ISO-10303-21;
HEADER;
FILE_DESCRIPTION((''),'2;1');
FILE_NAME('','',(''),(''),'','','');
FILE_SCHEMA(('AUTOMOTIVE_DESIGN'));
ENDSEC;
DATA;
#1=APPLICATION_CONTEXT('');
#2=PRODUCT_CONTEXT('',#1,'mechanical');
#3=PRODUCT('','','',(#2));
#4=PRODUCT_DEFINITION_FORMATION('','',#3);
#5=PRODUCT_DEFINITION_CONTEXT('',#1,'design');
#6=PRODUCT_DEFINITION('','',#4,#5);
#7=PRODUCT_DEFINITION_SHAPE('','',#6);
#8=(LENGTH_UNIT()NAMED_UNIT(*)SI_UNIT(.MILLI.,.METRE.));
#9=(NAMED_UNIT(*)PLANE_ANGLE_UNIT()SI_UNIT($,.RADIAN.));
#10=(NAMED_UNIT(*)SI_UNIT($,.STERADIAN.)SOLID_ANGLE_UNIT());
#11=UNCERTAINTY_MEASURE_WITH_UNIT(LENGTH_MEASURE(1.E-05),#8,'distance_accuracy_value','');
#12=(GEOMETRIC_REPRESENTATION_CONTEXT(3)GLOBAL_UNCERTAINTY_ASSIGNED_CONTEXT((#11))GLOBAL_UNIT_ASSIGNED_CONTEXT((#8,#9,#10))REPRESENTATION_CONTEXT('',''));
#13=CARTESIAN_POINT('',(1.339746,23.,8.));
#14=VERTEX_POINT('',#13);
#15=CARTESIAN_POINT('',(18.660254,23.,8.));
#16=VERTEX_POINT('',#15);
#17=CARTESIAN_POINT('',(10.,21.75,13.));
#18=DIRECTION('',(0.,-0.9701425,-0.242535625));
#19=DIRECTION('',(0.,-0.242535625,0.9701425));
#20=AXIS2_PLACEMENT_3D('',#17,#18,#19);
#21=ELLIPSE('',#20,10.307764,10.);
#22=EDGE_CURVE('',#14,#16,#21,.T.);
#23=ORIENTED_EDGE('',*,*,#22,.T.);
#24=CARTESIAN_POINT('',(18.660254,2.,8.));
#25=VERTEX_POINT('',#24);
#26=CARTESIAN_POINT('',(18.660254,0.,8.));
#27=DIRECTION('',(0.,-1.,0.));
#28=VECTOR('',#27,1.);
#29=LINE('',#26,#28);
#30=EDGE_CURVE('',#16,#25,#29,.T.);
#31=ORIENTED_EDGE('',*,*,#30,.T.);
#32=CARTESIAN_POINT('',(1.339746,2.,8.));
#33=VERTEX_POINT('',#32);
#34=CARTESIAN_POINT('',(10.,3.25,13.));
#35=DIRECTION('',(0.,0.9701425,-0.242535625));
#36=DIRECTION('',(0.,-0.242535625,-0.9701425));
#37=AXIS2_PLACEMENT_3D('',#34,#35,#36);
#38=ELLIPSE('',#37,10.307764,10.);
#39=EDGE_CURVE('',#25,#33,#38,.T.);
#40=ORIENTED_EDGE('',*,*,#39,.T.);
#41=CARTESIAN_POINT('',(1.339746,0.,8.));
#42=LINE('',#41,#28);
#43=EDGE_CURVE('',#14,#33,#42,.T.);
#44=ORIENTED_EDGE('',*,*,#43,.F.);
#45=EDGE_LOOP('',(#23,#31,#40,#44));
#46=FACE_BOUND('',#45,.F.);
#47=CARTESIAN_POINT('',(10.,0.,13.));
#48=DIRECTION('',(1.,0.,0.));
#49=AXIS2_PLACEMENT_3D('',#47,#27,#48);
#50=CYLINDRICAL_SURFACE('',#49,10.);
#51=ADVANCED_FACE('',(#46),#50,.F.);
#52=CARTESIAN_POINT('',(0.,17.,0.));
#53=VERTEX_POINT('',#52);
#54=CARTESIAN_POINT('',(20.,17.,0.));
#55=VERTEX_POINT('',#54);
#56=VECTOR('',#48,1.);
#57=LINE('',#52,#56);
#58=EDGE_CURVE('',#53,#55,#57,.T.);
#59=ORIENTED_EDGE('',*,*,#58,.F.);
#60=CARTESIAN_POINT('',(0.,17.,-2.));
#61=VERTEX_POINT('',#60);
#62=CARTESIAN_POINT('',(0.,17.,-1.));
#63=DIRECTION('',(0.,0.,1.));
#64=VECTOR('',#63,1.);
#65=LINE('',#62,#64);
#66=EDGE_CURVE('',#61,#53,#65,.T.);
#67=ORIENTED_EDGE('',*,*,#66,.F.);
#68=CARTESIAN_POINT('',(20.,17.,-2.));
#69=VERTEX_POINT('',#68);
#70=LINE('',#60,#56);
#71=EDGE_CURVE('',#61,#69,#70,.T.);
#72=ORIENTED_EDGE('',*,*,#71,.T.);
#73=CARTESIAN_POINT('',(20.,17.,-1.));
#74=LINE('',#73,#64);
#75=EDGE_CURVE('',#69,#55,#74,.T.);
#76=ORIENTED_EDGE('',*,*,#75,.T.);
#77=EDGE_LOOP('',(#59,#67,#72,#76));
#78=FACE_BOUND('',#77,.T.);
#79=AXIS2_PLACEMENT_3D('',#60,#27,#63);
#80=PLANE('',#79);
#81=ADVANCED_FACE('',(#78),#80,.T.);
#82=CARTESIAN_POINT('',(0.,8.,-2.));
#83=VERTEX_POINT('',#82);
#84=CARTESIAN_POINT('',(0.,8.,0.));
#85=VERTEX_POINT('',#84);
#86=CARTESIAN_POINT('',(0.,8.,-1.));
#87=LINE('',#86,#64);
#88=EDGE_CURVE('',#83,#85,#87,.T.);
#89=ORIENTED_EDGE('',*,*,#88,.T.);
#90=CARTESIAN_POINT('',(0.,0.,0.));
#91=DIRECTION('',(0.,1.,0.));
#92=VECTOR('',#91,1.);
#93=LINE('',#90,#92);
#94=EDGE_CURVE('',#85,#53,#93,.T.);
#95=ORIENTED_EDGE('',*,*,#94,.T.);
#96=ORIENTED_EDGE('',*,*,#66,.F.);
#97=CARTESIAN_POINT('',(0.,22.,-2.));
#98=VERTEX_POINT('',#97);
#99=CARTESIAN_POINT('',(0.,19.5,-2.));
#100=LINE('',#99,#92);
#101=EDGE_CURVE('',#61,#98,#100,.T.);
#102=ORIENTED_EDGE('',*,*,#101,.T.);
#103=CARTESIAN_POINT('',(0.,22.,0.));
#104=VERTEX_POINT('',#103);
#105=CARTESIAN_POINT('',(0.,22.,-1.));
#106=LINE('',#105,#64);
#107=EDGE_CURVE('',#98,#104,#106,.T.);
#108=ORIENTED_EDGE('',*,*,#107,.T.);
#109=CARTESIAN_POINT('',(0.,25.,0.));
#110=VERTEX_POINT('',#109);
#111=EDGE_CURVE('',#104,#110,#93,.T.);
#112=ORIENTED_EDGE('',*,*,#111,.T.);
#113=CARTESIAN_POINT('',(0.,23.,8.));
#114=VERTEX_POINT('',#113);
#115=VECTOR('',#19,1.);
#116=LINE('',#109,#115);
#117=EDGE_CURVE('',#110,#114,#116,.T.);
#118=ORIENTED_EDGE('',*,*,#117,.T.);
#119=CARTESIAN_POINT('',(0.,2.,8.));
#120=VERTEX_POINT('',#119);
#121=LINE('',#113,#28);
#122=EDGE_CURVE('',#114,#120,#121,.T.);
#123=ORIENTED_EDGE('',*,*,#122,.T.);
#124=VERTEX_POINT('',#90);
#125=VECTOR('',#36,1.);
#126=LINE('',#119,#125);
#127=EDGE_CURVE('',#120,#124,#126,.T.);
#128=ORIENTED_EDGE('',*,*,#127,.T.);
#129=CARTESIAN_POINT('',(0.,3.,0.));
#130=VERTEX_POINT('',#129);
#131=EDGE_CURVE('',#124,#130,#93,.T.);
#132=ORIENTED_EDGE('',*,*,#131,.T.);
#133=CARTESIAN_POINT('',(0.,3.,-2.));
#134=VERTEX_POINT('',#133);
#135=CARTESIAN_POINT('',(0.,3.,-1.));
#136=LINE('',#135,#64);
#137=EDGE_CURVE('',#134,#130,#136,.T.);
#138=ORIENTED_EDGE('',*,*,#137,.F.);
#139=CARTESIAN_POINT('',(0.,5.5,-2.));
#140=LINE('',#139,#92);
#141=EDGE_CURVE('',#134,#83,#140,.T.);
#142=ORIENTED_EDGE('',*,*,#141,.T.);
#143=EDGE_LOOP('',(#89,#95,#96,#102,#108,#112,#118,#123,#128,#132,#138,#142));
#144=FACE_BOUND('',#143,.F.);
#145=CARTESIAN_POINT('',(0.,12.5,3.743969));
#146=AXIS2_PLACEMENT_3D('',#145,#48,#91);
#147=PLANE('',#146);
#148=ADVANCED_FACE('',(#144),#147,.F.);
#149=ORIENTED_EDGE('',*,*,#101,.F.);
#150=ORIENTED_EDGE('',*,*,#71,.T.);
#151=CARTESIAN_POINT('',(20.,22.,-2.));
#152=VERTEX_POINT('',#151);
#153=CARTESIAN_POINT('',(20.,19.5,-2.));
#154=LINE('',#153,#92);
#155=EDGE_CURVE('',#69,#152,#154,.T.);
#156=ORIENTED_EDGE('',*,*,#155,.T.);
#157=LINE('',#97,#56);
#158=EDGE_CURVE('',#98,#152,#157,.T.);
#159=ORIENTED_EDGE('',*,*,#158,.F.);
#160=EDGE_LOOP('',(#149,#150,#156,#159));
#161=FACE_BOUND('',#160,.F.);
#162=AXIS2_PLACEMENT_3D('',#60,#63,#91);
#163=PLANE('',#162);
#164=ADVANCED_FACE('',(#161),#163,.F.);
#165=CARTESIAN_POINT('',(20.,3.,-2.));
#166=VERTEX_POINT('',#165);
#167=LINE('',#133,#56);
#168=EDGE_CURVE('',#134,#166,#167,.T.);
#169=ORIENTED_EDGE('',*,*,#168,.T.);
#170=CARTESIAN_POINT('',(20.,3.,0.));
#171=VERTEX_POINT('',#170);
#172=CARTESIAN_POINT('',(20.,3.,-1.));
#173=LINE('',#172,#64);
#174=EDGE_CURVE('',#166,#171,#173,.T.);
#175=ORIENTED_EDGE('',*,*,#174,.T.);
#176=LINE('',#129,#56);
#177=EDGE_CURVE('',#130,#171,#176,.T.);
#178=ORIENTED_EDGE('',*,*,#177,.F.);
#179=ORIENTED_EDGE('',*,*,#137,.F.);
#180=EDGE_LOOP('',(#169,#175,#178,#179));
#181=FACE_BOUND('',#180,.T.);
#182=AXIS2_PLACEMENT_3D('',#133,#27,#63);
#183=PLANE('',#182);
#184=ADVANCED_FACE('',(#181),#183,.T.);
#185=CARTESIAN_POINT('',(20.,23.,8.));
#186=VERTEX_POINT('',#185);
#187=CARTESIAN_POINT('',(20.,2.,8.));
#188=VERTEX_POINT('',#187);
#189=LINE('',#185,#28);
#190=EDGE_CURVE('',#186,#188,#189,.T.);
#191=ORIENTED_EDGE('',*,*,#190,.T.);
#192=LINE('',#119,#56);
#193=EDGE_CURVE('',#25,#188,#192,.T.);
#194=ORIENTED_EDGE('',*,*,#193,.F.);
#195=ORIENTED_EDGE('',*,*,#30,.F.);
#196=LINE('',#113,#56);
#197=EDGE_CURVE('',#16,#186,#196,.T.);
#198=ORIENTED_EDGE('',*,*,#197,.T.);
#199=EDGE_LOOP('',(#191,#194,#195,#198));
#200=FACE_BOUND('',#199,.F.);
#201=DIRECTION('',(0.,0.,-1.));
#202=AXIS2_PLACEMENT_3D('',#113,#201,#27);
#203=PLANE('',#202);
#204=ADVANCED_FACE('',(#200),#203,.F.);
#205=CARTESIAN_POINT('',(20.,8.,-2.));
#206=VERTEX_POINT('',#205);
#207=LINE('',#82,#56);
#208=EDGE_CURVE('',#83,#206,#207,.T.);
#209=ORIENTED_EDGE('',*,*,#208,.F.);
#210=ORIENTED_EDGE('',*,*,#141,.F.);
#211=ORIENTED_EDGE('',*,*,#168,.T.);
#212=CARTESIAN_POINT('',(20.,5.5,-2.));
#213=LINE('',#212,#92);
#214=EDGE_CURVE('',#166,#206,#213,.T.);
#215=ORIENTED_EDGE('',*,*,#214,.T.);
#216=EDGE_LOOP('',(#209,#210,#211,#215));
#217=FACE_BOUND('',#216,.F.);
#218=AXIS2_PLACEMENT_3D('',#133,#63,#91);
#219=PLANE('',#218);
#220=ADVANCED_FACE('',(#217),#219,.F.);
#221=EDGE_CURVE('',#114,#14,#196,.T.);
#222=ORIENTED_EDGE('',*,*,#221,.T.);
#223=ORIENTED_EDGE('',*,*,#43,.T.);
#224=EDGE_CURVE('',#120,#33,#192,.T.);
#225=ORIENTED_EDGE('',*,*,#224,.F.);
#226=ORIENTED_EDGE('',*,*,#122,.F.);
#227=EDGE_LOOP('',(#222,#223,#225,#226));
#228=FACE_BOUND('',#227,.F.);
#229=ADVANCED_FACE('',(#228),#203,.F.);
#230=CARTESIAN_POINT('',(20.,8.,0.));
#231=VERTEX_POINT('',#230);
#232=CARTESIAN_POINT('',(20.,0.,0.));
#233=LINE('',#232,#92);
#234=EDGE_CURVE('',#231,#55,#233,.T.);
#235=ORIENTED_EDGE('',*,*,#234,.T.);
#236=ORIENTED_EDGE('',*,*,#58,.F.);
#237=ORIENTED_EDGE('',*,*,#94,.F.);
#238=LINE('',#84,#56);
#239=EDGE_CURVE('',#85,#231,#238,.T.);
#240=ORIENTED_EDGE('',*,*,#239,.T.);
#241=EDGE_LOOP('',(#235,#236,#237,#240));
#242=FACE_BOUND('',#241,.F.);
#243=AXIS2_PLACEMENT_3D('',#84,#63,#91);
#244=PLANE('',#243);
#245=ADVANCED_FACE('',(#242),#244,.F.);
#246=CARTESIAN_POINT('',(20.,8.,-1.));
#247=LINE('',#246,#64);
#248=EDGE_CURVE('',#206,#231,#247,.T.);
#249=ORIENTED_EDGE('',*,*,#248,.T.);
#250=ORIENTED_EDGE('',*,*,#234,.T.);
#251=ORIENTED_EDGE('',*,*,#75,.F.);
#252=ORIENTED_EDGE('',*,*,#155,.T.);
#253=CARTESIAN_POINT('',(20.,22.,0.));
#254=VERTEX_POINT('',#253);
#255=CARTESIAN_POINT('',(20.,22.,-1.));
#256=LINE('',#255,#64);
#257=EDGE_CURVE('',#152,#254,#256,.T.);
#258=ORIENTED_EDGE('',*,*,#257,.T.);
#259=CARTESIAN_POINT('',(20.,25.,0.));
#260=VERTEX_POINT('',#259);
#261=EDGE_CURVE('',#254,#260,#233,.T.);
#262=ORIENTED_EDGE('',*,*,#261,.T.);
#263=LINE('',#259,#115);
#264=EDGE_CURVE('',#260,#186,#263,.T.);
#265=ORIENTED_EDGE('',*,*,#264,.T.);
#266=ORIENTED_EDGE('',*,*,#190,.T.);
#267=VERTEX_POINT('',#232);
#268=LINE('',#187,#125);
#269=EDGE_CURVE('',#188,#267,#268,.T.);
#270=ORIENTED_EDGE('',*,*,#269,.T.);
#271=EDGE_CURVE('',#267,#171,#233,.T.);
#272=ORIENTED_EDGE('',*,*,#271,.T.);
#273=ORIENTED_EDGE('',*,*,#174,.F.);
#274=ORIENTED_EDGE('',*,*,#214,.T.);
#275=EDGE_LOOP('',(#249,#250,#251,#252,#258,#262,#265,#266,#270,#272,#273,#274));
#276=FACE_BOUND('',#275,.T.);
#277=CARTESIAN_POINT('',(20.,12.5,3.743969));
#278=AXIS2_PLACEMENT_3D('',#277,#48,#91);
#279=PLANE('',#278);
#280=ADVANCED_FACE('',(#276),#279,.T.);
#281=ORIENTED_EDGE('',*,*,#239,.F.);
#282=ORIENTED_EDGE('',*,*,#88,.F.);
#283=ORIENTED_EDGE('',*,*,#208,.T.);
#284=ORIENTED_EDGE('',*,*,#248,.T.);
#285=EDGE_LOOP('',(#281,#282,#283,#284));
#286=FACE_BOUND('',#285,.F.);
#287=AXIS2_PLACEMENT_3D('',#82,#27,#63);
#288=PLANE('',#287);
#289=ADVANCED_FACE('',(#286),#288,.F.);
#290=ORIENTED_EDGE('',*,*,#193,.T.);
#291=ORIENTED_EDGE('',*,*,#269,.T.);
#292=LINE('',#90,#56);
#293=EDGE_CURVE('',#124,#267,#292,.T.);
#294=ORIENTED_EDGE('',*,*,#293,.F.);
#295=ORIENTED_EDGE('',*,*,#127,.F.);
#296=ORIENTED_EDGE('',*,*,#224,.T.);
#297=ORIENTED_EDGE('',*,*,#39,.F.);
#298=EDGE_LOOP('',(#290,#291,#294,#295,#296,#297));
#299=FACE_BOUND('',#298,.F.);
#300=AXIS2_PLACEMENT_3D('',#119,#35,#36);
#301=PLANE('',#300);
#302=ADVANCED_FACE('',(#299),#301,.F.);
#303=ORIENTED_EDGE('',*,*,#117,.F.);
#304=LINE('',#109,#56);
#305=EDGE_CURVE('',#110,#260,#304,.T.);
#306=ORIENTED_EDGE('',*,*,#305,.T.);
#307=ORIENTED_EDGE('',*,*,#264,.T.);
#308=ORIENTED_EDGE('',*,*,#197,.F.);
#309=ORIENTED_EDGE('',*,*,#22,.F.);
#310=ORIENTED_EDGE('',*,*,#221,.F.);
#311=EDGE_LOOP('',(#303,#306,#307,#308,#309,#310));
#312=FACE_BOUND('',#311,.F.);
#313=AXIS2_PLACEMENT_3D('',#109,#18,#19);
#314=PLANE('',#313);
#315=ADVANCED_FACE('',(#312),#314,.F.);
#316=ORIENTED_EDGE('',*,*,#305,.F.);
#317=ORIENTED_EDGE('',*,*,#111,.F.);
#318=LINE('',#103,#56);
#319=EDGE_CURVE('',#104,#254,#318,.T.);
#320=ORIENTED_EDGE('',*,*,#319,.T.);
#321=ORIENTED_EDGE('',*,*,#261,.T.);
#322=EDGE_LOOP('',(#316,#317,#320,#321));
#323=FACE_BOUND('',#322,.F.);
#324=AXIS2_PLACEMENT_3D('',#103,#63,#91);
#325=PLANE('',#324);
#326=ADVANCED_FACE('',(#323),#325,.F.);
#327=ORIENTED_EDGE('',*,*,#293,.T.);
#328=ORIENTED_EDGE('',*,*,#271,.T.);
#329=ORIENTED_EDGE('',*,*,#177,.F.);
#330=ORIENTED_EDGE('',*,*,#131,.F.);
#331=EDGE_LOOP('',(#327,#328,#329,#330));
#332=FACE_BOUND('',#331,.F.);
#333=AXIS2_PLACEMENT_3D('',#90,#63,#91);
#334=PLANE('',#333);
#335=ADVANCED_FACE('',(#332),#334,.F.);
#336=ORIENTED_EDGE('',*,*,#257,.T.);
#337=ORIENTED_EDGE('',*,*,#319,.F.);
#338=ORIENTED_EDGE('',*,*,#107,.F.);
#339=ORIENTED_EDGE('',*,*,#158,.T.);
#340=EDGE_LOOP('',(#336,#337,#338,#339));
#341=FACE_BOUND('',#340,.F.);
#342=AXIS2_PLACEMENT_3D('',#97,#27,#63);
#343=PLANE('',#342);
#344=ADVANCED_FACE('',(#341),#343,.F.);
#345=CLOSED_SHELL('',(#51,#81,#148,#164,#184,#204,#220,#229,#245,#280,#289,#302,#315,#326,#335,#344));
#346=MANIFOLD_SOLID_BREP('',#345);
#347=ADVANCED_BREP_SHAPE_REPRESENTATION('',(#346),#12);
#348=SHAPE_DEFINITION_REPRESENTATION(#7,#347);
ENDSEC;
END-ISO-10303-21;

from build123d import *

# Parameters (mm, degrees)
F0_W     = 5
F0_H     = 2
F1_DEPTH = 20
F2_R     = 10
F3_DEPTH = 25.4


with BuildPart() as f1:
    # F0 (on Right) → F1 (new body)
    with BuildSketch(Plane.YZ):
        Polygon((2, 8), (0, 0), (3, 0), (8, 0), (17, 0), (22, 0), (25, 0), (23, 8), align=None)
        with Locations((5.5, -1)):
            Rectangle(F0_W, F0_H)
        with Locations((19.5, -1)):
            Rectangle(F0_W, F0_H)
    extrude(amount=F1_DEPTH)

    # F2 (on Front) → F3 (cut)
    with BuildSketch(Plane.XZ):
        with Locations((10, 13)):
            Circle(F2_R)
    extrude(amount=-F3_DEPTH, mode=Mode.SUBTRACT)


solid = f1.part
